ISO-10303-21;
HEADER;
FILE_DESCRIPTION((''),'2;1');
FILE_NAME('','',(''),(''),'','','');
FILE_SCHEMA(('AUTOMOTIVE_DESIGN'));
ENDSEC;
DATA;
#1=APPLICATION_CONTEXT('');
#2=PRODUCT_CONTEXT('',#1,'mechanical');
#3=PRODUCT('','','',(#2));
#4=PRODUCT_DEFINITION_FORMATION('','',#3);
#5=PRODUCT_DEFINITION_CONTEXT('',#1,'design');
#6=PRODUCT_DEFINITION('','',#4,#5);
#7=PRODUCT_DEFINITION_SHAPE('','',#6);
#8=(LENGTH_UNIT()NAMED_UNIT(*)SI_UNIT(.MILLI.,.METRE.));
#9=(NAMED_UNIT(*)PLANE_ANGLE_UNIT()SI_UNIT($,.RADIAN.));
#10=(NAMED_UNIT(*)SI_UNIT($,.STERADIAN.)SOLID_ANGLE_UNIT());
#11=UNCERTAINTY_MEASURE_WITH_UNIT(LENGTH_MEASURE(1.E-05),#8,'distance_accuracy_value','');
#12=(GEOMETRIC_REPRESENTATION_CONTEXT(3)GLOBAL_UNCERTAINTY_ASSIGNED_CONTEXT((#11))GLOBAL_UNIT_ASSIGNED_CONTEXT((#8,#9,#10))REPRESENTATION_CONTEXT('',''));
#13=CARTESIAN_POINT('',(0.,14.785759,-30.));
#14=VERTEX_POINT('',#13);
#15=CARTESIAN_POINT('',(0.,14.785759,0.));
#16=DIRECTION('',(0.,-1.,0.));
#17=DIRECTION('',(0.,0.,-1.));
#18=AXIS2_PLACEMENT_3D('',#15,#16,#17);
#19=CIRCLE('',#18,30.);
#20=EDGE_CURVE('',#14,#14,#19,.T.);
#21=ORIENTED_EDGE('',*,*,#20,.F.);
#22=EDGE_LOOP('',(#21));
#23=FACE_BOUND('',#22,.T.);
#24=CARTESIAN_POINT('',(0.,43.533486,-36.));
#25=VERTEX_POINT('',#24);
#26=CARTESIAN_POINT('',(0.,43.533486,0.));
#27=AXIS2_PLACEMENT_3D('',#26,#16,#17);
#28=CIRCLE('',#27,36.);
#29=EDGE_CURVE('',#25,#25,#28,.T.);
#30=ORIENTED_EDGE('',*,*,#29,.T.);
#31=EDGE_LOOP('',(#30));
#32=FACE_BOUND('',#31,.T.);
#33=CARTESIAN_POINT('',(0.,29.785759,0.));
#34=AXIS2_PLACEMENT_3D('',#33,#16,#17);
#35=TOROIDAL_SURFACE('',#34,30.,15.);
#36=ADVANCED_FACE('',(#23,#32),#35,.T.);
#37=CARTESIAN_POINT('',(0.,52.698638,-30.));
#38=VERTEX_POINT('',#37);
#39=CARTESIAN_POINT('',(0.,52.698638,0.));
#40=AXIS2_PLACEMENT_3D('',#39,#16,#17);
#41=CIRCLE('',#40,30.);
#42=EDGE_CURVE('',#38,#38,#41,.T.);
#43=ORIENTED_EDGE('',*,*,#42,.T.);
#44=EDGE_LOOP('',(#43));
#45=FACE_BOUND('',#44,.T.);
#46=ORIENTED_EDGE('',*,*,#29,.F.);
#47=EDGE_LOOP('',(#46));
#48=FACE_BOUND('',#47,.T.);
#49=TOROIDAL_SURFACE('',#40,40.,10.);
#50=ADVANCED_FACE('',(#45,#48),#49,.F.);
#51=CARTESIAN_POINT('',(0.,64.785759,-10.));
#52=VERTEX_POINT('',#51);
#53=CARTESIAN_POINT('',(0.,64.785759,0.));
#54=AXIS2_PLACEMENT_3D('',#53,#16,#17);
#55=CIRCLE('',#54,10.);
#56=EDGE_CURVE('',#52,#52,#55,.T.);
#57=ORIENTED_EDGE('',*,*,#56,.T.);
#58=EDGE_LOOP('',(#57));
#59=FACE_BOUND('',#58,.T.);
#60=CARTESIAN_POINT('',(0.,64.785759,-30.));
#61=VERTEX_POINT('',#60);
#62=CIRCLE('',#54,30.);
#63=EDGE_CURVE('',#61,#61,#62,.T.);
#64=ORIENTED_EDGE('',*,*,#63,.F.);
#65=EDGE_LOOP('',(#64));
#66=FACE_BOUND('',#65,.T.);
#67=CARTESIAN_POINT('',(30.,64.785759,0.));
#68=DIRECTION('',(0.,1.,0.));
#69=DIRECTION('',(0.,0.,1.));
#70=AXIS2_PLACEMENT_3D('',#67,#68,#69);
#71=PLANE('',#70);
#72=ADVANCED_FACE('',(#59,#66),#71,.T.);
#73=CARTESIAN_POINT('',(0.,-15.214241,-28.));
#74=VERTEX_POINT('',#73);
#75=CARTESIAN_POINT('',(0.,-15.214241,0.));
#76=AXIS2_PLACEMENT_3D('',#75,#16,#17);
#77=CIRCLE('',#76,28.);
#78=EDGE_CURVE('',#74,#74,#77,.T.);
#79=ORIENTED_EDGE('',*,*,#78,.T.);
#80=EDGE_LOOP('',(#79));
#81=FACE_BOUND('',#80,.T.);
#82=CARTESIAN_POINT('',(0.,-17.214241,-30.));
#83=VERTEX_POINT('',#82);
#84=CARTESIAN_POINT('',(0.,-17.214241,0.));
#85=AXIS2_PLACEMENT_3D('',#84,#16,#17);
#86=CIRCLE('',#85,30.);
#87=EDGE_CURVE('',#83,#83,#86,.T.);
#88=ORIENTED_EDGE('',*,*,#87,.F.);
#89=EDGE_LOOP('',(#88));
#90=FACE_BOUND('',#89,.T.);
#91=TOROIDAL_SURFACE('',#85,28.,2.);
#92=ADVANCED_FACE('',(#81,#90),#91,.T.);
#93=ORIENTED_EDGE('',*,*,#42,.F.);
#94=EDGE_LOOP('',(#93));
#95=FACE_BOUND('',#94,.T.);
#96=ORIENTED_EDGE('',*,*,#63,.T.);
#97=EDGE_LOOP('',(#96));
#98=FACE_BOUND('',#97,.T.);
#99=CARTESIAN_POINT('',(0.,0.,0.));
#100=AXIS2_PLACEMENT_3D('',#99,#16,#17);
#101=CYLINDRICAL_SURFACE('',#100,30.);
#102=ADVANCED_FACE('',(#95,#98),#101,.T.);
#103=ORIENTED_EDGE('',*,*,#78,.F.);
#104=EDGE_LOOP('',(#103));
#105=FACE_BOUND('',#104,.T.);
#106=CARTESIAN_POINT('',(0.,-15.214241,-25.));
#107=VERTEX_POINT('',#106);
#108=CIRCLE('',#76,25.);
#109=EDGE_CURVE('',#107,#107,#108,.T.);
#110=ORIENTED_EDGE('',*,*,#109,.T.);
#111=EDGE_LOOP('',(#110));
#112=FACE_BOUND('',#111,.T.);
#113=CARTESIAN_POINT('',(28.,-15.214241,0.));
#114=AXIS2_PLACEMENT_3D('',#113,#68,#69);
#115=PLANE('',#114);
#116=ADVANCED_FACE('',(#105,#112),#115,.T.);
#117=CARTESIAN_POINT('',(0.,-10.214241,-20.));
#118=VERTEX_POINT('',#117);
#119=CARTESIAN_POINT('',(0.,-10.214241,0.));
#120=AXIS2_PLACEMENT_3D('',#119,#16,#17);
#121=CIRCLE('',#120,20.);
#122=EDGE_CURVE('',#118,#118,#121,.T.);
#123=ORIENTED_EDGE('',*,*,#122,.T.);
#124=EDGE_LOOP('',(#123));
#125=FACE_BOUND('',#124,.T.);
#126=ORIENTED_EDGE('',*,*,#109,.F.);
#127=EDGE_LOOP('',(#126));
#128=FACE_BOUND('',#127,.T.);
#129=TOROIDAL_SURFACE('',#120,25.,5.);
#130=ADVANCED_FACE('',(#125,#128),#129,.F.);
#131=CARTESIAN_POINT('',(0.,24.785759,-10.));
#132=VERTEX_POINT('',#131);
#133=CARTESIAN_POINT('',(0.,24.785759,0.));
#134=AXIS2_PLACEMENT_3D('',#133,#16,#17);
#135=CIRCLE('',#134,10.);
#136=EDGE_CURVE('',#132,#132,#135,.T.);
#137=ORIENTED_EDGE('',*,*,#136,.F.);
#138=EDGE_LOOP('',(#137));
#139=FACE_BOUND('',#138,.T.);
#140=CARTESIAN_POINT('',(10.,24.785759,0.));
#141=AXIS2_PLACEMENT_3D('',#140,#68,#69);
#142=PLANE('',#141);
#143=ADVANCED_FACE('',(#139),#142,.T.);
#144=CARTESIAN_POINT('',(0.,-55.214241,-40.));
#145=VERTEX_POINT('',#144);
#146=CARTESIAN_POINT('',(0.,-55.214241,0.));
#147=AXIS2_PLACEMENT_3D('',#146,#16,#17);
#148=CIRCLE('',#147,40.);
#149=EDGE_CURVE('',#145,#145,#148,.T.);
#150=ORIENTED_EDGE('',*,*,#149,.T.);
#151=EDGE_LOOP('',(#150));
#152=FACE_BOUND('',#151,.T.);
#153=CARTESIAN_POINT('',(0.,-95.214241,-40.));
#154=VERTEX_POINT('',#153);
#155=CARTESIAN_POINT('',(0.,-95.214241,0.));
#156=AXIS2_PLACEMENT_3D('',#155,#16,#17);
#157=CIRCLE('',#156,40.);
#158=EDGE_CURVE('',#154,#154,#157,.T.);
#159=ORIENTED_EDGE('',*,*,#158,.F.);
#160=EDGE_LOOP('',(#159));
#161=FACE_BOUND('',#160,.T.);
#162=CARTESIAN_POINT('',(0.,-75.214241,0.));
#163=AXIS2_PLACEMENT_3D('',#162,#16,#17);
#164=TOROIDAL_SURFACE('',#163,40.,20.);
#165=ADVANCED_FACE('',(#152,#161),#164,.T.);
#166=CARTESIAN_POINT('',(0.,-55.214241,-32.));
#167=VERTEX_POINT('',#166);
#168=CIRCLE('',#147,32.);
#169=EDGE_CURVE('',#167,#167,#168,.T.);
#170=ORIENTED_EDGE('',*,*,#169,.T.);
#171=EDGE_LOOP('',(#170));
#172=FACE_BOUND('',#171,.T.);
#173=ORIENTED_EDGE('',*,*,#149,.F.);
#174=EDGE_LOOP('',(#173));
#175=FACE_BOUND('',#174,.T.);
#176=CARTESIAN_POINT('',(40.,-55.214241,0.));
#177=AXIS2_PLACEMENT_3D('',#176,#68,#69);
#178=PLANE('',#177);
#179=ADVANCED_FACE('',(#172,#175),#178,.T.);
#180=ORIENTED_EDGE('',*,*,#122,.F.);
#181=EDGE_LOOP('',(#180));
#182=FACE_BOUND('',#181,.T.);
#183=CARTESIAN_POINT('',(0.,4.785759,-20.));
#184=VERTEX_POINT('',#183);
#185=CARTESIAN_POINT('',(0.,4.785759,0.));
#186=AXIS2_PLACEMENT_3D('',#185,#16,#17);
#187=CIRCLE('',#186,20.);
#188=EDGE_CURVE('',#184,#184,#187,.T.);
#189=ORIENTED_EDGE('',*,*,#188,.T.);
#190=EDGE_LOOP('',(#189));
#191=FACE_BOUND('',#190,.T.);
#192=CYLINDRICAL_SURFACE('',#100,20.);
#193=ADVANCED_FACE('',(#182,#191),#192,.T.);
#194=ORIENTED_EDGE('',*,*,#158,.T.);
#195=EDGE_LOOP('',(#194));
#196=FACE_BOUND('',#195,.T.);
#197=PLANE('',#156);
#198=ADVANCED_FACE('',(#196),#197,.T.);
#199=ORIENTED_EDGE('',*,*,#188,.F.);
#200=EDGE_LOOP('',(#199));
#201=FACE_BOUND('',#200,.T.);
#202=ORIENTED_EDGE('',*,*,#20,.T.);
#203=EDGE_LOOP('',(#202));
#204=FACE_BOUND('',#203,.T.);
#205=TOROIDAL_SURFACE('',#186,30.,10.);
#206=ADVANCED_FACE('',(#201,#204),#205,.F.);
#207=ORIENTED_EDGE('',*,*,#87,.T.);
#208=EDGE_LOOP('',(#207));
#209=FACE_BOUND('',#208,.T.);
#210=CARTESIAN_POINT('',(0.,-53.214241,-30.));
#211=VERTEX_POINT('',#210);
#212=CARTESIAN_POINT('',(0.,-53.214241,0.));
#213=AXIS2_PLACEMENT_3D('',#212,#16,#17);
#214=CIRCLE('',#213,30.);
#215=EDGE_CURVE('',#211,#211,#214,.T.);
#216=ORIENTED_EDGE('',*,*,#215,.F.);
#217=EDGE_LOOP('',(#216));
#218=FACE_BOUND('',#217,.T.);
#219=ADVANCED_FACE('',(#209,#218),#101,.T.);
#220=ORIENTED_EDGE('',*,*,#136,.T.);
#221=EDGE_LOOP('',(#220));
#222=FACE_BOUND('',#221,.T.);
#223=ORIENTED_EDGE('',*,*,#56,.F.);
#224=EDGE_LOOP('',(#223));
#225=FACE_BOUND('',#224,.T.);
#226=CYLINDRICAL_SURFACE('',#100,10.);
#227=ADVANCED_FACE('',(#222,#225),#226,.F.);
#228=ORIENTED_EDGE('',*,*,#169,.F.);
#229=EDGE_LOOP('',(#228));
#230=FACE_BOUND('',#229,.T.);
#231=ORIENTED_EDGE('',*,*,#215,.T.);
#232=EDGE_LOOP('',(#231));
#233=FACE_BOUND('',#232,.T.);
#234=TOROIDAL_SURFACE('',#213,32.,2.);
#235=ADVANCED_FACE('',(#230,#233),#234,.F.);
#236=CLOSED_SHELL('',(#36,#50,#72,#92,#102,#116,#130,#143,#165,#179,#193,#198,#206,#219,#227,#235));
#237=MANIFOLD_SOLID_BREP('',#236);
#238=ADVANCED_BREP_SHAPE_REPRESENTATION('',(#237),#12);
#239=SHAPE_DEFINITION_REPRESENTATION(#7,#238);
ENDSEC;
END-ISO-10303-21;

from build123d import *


with BuildPart() as part:
    # Sketch1 → Revolve1 (revolve)
    with BuildSketch(Plane.XY, mode=Mode.PRIVATE) as revolve1_sk:
        with BuildLine():
            Line((0, -95.214240608), (40, -95.214240608))
            ThreePointArc((40, -95.214240608), (60, -75.214240608), (40, -55.214240608))
            Line((40, -55.214240608), (32, -55.214240608))
            ThreePointArc((32, -55.214240608), (30.585786438, -54.62845417), (30, -53.214240608))
            Line((30, -53.214240608), (30, -17.214240608))
            ThreePointArc((30, -17.214240608), (29.414213562, -15.800027045), (28, -15.214240608))
            Line((28, -15.214240608), (25, -15.214240608))
            ThreePointArc((25, -15.214240608), (21.464466094, -13.749774514), (20, -10.214240608))
            Line((20, -10.214240608), (20, 4.785759392))
            ThreePointArc((20, 4.785759392), (22.928932188, 11.856827204), (30, 14.785759392))
            ThreePointArc((30, 14.785759392), (44.683594694, 26.721114737), (36, 43.533486477))
            ThreePointArc((36, 43.533486477), (31.633399735, 47.221412292), (30, 52.698637867))
            Line((30, 52.698637867), (30, 64.785759392))
            Line((30, 64.785759392), (10, 64.785759392))
            Line((10, 64.785759392), (10, 24.785759392))
            Line((10, 24.785759392), (0, 24.785759392))
            Line((0, 24.785759392), (0, -95.214240608))
        make_face()
    revolve(revolve1_sk.sketch.rotate(Axis((0, 0, 0), (0, 1, 0)), 90), axis=Axis((0, 0, 0), (0, 1, 0)))


solid = part.part
